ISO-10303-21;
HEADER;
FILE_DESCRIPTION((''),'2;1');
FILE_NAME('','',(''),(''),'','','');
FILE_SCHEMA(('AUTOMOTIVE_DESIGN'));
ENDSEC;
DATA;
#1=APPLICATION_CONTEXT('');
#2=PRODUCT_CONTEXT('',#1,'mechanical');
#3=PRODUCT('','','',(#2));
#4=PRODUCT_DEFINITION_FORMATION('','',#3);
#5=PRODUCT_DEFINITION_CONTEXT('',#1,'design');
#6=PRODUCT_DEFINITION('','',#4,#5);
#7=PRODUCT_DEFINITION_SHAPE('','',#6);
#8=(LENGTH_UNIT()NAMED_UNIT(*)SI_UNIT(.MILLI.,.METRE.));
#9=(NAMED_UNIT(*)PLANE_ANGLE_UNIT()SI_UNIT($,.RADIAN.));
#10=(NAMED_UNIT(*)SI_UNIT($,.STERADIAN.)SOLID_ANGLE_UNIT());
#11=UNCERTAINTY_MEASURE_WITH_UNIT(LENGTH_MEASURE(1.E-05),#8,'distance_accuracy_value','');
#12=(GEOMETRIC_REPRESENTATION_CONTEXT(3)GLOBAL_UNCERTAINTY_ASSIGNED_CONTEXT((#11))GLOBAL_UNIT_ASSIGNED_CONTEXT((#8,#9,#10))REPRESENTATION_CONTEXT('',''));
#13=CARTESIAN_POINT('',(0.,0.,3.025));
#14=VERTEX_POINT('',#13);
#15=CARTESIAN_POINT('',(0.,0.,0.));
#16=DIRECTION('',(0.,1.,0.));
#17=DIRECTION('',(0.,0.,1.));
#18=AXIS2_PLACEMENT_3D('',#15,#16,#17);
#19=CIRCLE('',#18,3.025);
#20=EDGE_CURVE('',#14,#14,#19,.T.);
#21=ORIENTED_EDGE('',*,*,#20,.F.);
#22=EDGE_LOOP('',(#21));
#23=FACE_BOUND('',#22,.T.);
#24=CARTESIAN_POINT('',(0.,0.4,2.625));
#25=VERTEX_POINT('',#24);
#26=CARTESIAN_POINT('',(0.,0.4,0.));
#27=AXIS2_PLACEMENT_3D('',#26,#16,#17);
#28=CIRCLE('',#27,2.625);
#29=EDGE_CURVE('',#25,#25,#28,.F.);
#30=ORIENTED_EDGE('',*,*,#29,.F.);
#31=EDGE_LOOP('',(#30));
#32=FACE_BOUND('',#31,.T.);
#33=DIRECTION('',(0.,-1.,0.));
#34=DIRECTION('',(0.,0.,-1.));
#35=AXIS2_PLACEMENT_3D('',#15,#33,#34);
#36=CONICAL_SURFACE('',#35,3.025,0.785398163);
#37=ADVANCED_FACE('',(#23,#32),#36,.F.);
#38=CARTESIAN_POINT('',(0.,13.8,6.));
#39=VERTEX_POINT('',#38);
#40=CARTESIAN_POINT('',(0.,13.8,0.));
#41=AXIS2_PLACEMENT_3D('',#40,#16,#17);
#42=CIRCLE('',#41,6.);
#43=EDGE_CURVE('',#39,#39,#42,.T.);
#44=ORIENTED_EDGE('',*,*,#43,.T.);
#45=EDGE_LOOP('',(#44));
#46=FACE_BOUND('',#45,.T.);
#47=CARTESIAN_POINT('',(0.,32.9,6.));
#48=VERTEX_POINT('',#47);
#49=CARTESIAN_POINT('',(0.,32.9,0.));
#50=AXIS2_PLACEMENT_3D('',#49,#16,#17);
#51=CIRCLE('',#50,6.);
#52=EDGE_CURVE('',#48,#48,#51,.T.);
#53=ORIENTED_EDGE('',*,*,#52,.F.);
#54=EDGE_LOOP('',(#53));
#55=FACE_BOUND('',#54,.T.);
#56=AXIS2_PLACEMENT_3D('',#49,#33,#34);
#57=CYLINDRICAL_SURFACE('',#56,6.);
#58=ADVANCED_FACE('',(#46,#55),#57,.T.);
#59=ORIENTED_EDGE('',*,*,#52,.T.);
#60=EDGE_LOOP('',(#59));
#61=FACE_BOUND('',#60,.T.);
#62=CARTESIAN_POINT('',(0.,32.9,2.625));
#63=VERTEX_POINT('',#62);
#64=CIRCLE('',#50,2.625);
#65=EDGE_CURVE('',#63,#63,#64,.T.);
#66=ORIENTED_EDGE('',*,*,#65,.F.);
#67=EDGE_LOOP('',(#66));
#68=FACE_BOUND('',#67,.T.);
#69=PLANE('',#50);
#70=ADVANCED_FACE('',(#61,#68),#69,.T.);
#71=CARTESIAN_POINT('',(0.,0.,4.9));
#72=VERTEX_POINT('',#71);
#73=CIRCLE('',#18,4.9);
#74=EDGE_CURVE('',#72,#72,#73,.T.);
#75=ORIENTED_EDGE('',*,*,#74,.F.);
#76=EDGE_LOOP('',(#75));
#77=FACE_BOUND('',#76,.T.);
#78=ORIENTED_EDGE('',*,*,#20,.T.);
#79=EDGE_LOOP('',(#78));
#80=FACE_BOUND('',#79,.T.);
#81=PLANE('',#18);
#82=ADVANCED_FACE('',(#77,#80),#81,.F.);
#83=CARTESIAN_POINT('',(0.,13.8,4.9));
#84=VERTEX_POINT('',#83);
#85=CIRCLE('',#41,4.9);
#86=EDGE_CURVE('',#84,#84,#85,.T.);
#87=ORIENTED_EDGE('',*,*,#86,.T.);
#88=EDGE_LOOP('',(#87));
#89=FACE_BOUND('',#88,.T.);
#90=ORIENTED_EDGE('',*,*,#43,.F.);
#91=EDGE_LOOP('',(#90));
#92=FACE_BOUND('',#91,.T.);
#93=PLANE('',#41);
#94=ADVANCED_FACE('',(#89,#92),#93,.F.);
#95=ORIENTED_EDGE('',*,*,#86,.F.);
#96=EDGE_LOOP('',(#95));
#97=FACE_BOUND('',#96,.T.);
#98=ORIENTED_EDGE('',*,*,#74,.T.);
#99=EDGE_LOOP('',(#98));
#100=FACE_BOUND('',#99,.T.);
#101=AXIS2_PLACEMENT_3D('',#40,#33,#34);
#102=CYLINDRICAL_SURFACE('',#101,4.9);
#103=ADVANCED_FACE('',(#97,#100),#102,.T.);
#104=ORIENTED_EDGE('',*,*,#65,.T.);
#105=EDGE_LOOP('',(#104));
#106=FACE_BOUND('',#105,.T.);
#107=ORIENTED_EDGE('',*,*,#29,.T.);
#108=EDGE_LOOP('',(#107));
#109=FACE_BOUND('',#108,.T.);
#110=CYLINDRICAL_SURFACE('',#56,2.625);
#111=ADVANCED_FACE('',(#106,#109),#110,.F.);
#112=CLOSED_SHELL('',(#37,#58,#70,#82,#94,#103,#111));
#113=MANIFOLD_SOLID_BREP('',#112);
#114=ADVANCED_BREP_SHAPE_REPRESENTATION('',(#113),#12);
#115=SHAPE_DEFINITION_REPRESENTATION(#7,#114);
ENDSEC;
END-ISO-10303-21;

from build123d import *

# Parameters (mm, degrees)
SKETCH1_R           = 4.9
BOSS_EXTRUDE1_DEPTH = 13.8
SKETCH2_R           = 6
BOSS_EXTRUDE2_DEPTH = 19.1
SKETCH7_R           = 2.625
CUT_EXTRUDE1_DEPTH  = 33.9
CHAMFER1_SIZE       = 0.4


with BuildPart() as part:
    # Sketch1 → Boss-Extrude1 (new body)
    with BuildSketch(Plane(origin=(0, 0, 0), x_dir=(1, 0, 0), z_dir=(0, 1, 0))):
        Circle(SKETCH1_R)
    extrude(amount=BOSS_EXTRUDE1_DEPTH)

    # Sketch2 → Boss-Extrude2 (add)
    with BuildSketch(Plane(origin=(0, 13.8, 0), x_dir=(1, 0, 0), z_dir=(0, 1, 0))):
        Circle(SKETCH2_R)
    extrude(amount=BOSS_EXTRUDE2_DEPTH)

    # Sketch7 → Cut-Extrude1 (cut, through all)
    with BuildSketch(Plane(origin=(0, 0, 0), x_dir=(1, 0, 0), z_dir=(0, 1, 0))):
        Circle(SKETCH7_R)
    extrude(amount=CUT_EXTRUDE1_DEPTH, mode=Mode.SUBTRACT)

    # Chamfer1
    chamfer1_edges = [part.edges().sort_by_distance(p)[0] for p in [
        (-2.625, 0, 0),
    ]]
    chamfer(chamfer1_edges, length=CHAMFER1_SIZE)


solid = part.part
